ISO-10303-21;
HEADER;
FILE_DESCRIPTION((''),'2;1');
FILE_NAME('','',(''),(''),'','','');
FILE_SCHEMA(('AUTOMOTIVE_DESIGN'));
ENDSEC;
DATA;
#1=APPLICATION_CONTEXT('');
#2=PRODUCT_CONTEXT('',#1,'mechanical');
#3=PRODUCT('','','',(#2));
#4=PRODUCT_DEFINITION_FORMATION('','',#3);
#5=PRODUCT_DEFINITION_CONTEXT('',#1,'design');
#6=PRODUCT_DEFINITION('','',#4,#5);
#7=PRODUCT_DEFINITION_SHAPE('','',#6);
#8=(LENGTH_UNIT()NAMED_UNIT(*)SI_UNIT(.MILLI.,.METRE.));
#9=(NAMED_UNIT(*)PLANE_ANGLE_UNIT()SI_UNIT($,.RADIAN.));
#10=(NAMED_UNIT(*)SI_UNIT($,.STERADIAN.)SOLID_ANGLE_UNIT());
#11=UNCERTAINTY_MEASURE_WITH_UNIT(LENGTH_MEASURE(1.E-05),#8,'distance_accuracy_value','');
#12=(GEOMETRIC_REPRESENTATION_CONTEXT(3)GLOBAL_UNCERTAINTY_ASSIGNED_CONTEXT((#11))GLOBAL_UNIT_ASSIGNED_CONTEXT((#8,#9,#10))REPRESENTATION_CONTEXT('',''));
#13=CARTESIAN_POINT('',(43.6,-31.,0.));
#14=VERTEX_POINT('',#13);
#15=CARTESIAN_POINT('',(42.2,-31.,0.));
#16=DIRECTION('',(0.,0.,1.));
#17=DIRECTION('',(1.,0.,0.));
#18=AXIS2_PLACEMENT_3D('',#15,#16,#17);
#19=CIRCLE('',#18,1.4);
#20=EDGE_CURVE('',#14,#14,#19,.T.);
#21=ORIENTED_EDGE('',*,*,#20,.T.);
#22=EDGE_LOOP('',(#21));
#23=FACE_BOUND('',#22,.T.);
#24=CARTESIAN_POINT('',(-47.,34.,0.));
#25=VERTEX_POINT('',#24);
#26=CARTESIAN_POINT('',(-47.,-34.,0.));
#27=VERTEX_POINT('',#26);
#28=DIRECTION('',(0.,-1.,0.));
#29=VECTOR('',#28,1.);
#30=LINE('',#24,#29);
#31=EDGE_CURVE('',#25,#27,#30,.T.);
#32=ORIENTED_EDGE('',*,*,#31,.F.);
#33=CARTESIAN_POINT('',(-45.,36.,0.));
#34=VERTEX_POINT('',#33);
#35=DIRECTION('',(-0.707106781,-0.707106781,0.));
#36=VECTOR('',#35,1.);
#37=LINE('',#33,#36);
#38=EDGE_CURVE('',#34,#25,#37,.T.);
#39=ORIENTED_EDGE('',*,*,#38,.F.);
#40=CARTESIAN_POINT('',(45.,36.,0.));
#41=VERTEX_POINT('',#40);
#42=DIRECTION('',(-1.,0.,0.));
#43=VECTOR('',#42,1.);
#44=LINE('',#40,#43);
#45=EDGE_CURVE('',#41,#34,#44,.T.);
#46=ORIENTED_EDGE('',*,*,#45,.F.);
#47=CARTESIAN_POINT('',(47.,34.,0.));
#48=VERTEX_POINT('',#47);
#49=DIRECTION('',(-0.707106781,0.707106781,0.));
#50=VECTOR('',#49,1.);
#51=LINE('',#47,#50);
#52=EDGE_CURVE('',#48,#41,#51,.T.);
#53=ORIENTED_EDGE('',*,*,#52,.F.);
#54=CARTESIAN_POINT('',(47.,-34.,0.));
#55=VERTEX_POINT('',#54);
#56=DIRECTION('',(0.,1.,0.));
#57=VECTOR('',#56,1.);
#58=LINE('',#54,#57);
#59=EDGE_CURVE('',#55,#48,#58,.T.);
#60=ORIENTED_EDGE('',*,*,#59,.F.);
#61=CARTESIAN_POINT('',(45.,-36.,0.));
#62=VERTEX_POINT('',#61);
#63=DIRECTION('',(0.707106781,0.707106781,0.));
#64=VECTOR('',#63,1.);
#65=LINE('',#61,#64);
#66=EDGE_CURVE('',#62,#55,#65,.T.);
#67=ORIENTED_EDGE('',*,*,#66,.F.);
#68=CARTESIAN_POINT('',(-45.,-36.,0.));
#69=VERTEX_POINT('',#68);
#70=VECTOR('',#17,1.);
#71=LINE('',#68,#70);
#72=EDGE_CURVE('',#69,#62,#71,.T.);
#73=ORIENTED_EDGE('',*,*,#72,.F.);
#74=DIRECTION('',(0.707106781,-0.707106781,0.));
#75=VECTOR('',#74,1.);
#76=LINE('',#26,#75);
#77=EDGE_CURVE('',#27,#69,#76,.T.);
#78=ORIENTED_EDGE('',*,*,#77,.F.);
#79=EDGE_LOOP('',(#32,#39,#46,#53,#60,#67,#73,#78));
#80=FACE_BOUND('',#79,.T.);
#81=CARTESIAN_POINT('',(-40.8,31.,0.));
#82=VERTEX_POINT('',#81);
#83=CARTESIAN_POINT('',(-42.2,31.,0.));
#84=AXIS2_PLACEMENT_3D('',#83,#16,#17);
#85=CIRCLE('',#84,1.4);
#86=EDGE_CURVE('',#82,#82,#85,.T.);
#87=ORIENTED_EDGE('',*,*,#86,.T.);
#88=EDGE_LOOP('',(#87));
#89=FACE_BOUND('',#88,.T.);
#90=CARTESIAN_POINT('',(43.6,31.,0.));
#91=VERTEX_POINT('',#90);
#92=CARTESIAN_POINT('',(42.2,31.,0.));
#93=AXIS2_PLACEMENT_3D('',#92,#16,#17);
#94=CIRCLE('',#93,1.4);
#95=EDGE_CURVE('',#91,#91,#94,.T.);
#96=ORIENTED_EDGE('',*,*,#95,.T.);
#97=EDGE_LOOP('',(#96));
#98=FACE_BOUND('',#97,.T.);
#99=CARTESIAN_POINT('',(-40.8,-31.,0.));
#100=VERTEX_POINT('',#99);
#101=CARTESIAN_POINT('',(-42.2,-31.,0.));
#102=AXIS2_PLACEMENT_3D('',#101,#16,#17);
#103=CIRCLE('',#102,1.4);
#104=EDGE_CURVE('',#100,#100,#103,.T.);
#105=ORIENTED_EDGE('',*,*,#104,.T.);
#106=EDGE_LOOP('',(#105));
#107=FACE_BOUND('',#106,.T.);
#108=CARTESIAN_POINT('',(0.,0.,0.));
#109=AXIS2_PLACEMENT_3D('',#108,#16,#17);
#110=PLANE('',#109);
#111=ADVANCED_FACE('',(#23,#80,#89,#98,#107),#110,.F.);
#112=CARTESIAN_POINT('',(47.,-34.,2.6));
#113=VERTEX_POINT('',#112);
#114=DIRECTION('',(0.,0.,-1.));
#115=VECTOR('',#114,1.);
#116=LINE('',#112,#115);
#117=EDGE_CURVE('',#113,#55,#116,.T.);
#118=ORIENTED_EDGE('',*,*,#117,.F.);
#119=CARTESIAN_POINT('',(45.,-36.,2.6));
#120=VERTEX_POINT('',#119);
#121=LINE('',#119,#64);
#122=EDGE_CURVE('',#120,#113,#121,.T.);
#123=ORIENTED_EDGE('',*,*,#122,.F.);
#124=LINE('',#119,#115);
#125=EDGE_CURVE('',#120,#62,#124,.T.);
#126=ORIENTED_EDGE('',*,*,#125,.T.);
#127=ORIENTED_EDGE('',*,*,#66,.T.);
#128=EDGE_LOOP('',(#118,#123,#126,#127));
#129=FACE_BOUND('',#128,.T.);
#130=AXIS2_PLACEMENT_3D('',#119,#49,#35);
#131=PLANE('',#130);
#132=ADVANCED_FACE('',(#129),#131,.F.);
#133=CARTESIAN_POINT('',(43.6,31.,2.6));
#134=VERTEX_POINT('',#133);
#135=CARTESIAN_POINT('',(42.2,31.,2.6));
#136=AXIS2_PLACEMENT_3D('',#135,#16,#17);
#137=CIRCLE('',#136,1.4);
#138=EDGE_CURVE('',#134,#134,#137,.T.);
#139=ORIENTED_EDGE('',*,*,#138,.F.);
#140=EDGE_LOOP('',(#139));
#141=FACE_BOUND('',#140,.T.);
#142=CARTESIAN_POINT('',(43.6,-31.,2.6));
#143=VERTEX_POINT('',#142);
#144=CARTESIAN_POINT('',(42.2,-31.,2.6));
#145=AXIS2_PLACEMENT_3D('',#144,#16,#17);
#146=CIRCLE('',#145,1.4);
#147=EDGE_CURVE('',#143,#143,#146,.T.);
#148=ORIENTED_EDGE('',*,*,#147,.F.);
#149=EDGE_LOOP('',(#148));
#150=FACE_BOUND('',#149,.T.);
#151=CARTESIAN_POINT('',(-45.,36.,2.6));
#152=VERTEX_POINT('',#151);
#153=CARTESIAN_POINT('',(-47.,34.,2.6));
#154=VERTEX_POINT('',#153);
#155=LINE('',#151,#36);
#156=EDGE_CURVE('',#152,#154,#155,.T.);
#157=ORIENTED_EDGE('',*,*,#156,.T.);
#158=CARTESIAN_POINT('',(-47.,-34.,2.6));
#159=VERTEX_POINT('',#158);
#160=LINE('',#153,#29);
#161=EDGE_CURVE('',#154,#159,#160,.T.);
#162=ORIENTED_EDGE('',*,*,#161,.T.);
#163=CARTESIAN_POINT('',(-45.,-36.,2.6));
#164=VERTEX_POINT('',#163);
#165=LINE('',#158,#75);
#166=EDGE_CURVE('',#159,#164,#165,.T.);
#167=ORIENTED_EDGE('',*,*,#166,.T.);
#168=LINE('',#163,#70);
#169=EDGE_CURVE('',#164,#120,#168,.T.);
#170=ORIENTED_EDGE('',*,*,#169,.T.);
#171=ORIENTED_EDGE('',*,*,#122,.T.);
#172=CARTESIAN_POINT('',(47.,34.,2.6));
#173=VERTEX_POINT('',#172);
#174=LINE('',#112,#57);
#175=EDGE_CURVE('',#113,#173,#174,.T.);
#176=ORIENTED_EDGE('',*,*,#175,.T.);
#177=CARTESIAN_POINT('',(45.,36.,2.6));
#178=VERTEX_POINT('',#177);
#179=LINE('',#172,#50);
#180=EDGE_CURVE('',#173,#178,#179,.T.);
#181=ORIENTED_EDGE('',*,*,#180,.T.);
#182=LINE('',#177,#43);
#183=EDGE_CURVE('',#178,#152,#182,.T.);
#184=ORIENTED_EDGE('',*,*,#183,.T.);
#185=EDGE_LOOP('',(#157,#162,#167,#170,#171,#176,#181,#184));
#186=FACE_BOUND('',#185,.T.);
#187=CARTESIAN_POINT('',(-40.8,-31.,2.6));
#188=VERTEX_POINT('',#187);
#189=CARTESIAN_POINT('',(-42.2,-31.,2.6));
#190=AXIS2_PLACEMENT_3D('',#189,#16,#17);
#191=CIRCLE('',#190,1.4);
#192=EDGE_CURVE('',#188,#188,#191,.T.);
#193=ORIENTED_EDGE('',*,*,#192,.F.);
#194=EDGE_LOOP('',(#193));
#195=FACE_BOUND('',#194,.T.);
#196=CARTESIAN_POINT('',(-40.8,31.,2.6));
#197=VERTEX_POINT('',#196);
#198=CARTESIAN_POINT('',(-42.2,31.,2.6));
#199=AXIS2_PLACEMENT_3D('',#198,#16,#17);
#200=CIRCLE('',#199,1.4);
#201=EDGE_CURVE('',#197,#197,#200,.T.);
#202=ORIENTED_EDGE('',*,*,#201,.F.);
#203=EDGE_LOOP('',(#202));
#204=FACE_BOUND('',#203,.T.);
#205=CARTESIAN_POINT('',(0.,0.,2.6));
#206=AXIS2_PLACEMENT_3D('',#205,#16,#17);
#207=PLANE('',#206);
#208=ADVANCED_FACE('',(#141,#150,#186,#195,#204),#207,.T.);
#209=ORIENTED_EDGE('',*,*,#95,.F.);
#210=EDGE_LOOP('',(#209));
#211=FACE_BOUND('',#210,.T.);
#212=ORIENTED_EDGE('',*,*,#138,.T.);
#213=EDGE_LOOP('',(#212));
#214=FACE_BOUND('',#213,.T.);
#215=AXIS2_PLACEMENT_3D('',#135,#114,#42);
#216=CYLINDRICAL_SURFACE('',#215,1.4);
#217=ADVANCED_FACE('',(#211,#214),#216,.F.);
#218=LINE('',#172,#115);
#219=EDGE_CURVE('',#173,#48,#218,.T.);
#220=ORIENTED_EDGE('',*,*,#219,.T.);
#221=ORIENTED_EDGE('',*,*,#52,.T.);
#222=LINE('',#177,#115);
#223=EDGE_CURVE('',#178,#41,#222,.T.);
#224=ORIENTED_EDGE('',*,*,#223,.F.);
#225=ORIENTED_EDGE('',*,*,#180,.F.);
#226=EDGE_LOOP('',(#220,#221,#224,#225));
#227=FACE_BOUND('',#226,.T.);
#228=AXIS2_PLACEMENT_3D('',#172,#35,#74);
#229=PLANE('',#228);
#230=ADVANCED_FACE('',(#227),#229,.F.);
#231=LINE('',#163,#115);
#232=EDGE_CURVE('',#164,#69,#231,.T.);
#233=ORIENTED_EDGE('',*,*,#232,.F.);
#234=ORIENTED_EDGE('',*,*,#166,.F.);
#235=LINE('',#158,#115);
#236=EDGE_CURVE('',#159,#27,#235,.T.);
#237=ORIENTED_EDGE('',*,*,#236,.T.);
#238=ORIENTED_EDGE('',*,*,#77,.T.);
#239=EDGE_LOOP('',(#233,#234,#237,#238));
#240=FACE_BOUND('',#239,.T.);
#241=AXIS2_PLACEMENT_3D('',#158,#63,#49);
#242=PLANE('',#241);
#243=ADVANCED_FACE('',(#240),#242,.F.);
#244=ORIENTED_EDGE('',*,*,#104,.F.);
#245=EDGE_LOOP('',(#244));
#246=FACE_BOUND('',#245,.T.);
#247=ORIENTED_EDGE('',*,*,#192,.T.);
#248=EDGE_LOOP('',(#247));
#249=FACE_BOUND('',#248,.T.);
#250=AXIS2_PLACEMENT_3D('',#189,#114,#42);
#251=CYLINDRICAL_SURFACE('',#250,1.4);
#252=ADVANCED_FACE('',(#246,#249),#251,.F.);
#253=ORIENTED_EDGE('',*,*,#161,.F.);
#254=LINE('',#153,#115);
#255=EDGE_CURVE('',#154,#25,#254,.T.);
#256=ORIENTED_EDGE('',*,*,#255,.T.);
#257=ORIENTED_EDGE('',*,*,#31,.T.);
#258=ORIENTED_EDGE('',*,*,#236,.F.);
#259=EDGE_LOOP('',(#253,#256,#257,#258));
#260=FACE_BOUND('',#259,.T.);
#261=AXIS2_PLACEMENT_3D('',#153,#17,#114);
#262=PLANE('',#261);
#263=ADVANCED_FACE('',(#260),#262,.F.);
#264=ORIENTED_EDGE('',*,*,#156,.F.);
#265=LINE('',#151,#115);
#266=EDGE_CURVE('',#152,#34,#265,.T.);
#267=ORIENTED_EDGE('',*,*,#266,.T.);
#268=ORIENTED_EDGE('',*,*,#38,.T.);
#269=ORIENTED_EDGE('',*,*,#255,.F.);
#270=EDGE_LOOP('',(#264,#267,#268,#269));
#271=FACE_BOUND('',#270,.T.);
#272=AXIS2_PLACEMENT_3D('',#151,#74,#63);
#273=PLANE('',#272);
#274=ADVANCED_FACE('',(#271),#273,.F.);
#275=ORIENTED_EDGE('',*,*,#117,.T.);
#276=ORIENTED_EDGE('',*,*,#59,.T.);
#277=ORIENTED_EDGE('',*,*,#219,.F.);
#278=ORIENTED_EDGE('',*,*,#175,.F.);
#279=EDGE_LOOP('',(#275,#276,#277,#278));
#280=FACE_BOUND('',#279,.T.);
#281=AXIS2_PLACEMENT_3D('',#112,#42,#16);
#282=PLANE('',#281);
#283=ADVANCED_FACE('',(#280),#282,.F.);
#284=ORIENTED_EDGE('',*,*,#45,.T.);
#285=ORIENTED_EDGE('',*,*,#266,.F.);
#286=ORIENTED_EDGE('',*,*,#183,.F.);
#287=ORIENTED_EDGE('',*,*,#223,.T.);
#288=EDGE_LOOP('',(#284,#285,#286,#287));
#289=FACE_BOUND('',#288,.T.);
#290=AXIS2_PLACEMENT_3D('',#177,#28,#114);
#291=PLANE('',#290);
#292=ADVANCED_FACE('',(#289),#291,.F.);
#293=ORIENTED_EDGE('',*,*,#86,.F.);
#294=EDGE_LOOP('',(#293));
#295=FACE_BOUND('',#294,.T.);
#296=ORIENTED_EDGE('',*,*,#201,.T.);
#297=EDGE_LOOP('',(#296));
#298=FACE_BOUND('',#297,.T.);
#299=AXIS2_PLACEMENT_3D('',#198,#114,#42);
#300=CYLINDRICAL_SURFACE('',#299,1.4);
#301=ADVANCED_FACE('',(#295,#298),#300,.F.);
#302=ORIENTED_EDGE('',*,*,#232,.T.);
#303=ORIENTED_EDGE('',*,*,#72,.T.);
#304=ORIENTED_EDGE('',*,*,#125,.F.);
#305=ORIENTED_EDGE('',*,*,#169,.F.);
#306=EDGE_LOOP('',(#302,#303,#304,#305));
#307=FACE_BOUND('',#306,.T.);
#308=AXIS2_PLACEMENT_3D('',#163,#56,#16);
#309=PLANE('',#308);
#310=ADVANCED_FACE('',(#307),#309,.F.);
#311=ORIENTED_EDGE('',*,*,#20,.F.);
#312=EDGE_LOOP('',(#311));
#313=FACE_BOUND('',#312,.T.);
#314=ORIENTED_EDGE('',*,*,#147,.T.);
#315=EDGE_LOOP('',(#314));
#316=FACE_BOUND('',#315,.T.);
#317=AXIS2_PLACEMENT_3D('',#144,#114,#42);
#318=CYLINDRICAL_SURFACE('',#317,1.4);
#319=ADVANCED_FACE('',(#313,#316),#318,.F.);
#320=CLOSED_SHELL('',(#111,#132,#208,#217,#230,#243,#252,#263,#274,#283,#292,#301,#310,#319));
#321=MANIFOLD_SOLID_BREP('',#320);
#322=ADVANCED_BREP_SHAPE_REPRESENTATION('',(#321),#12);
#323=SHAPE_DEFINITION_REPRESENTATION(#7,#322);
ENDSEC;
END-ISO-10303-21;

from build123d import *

# Parameters (mm, degrees)
F_2_8_PROFILE_R   = 1.4
EXTRUDE_2_8_DEPTH = 2.6


with BuildPart() as part:
    # 平盖和四个 Ø2.8 通孔 profile → 平盖和四个 Ø2.8 通孔 (new body)
    with BuildSketch(Plane.XY):
        Polygon((-45, -36), (45, -36), (47, -34), (47, 34), (45, 36), (-45, 36), (-47, 34), (-47, -34), align=None)
        with Locations((-42.2, -31)):
            Circle(F_2_8_PROFILE_R, mode=Mode.SUBTRACT)
        with Locations((42.2, -31)):
            Circle(F_2_8_PROFILE_R, mode=Mode.SUBTRACT)
        with Locations((-42.2, 31)):
            Circle(F_2_8_PROFILE_R, mode=Mode.SUBTRACT)
        with Locations((42.2, 31)):
            Circle(F_2_8_PROFILE_R, mode=Mode.SUBTRACT)
    extrude(amount=EXTRUDE_2_8_DEPTH)


solid = part.part
